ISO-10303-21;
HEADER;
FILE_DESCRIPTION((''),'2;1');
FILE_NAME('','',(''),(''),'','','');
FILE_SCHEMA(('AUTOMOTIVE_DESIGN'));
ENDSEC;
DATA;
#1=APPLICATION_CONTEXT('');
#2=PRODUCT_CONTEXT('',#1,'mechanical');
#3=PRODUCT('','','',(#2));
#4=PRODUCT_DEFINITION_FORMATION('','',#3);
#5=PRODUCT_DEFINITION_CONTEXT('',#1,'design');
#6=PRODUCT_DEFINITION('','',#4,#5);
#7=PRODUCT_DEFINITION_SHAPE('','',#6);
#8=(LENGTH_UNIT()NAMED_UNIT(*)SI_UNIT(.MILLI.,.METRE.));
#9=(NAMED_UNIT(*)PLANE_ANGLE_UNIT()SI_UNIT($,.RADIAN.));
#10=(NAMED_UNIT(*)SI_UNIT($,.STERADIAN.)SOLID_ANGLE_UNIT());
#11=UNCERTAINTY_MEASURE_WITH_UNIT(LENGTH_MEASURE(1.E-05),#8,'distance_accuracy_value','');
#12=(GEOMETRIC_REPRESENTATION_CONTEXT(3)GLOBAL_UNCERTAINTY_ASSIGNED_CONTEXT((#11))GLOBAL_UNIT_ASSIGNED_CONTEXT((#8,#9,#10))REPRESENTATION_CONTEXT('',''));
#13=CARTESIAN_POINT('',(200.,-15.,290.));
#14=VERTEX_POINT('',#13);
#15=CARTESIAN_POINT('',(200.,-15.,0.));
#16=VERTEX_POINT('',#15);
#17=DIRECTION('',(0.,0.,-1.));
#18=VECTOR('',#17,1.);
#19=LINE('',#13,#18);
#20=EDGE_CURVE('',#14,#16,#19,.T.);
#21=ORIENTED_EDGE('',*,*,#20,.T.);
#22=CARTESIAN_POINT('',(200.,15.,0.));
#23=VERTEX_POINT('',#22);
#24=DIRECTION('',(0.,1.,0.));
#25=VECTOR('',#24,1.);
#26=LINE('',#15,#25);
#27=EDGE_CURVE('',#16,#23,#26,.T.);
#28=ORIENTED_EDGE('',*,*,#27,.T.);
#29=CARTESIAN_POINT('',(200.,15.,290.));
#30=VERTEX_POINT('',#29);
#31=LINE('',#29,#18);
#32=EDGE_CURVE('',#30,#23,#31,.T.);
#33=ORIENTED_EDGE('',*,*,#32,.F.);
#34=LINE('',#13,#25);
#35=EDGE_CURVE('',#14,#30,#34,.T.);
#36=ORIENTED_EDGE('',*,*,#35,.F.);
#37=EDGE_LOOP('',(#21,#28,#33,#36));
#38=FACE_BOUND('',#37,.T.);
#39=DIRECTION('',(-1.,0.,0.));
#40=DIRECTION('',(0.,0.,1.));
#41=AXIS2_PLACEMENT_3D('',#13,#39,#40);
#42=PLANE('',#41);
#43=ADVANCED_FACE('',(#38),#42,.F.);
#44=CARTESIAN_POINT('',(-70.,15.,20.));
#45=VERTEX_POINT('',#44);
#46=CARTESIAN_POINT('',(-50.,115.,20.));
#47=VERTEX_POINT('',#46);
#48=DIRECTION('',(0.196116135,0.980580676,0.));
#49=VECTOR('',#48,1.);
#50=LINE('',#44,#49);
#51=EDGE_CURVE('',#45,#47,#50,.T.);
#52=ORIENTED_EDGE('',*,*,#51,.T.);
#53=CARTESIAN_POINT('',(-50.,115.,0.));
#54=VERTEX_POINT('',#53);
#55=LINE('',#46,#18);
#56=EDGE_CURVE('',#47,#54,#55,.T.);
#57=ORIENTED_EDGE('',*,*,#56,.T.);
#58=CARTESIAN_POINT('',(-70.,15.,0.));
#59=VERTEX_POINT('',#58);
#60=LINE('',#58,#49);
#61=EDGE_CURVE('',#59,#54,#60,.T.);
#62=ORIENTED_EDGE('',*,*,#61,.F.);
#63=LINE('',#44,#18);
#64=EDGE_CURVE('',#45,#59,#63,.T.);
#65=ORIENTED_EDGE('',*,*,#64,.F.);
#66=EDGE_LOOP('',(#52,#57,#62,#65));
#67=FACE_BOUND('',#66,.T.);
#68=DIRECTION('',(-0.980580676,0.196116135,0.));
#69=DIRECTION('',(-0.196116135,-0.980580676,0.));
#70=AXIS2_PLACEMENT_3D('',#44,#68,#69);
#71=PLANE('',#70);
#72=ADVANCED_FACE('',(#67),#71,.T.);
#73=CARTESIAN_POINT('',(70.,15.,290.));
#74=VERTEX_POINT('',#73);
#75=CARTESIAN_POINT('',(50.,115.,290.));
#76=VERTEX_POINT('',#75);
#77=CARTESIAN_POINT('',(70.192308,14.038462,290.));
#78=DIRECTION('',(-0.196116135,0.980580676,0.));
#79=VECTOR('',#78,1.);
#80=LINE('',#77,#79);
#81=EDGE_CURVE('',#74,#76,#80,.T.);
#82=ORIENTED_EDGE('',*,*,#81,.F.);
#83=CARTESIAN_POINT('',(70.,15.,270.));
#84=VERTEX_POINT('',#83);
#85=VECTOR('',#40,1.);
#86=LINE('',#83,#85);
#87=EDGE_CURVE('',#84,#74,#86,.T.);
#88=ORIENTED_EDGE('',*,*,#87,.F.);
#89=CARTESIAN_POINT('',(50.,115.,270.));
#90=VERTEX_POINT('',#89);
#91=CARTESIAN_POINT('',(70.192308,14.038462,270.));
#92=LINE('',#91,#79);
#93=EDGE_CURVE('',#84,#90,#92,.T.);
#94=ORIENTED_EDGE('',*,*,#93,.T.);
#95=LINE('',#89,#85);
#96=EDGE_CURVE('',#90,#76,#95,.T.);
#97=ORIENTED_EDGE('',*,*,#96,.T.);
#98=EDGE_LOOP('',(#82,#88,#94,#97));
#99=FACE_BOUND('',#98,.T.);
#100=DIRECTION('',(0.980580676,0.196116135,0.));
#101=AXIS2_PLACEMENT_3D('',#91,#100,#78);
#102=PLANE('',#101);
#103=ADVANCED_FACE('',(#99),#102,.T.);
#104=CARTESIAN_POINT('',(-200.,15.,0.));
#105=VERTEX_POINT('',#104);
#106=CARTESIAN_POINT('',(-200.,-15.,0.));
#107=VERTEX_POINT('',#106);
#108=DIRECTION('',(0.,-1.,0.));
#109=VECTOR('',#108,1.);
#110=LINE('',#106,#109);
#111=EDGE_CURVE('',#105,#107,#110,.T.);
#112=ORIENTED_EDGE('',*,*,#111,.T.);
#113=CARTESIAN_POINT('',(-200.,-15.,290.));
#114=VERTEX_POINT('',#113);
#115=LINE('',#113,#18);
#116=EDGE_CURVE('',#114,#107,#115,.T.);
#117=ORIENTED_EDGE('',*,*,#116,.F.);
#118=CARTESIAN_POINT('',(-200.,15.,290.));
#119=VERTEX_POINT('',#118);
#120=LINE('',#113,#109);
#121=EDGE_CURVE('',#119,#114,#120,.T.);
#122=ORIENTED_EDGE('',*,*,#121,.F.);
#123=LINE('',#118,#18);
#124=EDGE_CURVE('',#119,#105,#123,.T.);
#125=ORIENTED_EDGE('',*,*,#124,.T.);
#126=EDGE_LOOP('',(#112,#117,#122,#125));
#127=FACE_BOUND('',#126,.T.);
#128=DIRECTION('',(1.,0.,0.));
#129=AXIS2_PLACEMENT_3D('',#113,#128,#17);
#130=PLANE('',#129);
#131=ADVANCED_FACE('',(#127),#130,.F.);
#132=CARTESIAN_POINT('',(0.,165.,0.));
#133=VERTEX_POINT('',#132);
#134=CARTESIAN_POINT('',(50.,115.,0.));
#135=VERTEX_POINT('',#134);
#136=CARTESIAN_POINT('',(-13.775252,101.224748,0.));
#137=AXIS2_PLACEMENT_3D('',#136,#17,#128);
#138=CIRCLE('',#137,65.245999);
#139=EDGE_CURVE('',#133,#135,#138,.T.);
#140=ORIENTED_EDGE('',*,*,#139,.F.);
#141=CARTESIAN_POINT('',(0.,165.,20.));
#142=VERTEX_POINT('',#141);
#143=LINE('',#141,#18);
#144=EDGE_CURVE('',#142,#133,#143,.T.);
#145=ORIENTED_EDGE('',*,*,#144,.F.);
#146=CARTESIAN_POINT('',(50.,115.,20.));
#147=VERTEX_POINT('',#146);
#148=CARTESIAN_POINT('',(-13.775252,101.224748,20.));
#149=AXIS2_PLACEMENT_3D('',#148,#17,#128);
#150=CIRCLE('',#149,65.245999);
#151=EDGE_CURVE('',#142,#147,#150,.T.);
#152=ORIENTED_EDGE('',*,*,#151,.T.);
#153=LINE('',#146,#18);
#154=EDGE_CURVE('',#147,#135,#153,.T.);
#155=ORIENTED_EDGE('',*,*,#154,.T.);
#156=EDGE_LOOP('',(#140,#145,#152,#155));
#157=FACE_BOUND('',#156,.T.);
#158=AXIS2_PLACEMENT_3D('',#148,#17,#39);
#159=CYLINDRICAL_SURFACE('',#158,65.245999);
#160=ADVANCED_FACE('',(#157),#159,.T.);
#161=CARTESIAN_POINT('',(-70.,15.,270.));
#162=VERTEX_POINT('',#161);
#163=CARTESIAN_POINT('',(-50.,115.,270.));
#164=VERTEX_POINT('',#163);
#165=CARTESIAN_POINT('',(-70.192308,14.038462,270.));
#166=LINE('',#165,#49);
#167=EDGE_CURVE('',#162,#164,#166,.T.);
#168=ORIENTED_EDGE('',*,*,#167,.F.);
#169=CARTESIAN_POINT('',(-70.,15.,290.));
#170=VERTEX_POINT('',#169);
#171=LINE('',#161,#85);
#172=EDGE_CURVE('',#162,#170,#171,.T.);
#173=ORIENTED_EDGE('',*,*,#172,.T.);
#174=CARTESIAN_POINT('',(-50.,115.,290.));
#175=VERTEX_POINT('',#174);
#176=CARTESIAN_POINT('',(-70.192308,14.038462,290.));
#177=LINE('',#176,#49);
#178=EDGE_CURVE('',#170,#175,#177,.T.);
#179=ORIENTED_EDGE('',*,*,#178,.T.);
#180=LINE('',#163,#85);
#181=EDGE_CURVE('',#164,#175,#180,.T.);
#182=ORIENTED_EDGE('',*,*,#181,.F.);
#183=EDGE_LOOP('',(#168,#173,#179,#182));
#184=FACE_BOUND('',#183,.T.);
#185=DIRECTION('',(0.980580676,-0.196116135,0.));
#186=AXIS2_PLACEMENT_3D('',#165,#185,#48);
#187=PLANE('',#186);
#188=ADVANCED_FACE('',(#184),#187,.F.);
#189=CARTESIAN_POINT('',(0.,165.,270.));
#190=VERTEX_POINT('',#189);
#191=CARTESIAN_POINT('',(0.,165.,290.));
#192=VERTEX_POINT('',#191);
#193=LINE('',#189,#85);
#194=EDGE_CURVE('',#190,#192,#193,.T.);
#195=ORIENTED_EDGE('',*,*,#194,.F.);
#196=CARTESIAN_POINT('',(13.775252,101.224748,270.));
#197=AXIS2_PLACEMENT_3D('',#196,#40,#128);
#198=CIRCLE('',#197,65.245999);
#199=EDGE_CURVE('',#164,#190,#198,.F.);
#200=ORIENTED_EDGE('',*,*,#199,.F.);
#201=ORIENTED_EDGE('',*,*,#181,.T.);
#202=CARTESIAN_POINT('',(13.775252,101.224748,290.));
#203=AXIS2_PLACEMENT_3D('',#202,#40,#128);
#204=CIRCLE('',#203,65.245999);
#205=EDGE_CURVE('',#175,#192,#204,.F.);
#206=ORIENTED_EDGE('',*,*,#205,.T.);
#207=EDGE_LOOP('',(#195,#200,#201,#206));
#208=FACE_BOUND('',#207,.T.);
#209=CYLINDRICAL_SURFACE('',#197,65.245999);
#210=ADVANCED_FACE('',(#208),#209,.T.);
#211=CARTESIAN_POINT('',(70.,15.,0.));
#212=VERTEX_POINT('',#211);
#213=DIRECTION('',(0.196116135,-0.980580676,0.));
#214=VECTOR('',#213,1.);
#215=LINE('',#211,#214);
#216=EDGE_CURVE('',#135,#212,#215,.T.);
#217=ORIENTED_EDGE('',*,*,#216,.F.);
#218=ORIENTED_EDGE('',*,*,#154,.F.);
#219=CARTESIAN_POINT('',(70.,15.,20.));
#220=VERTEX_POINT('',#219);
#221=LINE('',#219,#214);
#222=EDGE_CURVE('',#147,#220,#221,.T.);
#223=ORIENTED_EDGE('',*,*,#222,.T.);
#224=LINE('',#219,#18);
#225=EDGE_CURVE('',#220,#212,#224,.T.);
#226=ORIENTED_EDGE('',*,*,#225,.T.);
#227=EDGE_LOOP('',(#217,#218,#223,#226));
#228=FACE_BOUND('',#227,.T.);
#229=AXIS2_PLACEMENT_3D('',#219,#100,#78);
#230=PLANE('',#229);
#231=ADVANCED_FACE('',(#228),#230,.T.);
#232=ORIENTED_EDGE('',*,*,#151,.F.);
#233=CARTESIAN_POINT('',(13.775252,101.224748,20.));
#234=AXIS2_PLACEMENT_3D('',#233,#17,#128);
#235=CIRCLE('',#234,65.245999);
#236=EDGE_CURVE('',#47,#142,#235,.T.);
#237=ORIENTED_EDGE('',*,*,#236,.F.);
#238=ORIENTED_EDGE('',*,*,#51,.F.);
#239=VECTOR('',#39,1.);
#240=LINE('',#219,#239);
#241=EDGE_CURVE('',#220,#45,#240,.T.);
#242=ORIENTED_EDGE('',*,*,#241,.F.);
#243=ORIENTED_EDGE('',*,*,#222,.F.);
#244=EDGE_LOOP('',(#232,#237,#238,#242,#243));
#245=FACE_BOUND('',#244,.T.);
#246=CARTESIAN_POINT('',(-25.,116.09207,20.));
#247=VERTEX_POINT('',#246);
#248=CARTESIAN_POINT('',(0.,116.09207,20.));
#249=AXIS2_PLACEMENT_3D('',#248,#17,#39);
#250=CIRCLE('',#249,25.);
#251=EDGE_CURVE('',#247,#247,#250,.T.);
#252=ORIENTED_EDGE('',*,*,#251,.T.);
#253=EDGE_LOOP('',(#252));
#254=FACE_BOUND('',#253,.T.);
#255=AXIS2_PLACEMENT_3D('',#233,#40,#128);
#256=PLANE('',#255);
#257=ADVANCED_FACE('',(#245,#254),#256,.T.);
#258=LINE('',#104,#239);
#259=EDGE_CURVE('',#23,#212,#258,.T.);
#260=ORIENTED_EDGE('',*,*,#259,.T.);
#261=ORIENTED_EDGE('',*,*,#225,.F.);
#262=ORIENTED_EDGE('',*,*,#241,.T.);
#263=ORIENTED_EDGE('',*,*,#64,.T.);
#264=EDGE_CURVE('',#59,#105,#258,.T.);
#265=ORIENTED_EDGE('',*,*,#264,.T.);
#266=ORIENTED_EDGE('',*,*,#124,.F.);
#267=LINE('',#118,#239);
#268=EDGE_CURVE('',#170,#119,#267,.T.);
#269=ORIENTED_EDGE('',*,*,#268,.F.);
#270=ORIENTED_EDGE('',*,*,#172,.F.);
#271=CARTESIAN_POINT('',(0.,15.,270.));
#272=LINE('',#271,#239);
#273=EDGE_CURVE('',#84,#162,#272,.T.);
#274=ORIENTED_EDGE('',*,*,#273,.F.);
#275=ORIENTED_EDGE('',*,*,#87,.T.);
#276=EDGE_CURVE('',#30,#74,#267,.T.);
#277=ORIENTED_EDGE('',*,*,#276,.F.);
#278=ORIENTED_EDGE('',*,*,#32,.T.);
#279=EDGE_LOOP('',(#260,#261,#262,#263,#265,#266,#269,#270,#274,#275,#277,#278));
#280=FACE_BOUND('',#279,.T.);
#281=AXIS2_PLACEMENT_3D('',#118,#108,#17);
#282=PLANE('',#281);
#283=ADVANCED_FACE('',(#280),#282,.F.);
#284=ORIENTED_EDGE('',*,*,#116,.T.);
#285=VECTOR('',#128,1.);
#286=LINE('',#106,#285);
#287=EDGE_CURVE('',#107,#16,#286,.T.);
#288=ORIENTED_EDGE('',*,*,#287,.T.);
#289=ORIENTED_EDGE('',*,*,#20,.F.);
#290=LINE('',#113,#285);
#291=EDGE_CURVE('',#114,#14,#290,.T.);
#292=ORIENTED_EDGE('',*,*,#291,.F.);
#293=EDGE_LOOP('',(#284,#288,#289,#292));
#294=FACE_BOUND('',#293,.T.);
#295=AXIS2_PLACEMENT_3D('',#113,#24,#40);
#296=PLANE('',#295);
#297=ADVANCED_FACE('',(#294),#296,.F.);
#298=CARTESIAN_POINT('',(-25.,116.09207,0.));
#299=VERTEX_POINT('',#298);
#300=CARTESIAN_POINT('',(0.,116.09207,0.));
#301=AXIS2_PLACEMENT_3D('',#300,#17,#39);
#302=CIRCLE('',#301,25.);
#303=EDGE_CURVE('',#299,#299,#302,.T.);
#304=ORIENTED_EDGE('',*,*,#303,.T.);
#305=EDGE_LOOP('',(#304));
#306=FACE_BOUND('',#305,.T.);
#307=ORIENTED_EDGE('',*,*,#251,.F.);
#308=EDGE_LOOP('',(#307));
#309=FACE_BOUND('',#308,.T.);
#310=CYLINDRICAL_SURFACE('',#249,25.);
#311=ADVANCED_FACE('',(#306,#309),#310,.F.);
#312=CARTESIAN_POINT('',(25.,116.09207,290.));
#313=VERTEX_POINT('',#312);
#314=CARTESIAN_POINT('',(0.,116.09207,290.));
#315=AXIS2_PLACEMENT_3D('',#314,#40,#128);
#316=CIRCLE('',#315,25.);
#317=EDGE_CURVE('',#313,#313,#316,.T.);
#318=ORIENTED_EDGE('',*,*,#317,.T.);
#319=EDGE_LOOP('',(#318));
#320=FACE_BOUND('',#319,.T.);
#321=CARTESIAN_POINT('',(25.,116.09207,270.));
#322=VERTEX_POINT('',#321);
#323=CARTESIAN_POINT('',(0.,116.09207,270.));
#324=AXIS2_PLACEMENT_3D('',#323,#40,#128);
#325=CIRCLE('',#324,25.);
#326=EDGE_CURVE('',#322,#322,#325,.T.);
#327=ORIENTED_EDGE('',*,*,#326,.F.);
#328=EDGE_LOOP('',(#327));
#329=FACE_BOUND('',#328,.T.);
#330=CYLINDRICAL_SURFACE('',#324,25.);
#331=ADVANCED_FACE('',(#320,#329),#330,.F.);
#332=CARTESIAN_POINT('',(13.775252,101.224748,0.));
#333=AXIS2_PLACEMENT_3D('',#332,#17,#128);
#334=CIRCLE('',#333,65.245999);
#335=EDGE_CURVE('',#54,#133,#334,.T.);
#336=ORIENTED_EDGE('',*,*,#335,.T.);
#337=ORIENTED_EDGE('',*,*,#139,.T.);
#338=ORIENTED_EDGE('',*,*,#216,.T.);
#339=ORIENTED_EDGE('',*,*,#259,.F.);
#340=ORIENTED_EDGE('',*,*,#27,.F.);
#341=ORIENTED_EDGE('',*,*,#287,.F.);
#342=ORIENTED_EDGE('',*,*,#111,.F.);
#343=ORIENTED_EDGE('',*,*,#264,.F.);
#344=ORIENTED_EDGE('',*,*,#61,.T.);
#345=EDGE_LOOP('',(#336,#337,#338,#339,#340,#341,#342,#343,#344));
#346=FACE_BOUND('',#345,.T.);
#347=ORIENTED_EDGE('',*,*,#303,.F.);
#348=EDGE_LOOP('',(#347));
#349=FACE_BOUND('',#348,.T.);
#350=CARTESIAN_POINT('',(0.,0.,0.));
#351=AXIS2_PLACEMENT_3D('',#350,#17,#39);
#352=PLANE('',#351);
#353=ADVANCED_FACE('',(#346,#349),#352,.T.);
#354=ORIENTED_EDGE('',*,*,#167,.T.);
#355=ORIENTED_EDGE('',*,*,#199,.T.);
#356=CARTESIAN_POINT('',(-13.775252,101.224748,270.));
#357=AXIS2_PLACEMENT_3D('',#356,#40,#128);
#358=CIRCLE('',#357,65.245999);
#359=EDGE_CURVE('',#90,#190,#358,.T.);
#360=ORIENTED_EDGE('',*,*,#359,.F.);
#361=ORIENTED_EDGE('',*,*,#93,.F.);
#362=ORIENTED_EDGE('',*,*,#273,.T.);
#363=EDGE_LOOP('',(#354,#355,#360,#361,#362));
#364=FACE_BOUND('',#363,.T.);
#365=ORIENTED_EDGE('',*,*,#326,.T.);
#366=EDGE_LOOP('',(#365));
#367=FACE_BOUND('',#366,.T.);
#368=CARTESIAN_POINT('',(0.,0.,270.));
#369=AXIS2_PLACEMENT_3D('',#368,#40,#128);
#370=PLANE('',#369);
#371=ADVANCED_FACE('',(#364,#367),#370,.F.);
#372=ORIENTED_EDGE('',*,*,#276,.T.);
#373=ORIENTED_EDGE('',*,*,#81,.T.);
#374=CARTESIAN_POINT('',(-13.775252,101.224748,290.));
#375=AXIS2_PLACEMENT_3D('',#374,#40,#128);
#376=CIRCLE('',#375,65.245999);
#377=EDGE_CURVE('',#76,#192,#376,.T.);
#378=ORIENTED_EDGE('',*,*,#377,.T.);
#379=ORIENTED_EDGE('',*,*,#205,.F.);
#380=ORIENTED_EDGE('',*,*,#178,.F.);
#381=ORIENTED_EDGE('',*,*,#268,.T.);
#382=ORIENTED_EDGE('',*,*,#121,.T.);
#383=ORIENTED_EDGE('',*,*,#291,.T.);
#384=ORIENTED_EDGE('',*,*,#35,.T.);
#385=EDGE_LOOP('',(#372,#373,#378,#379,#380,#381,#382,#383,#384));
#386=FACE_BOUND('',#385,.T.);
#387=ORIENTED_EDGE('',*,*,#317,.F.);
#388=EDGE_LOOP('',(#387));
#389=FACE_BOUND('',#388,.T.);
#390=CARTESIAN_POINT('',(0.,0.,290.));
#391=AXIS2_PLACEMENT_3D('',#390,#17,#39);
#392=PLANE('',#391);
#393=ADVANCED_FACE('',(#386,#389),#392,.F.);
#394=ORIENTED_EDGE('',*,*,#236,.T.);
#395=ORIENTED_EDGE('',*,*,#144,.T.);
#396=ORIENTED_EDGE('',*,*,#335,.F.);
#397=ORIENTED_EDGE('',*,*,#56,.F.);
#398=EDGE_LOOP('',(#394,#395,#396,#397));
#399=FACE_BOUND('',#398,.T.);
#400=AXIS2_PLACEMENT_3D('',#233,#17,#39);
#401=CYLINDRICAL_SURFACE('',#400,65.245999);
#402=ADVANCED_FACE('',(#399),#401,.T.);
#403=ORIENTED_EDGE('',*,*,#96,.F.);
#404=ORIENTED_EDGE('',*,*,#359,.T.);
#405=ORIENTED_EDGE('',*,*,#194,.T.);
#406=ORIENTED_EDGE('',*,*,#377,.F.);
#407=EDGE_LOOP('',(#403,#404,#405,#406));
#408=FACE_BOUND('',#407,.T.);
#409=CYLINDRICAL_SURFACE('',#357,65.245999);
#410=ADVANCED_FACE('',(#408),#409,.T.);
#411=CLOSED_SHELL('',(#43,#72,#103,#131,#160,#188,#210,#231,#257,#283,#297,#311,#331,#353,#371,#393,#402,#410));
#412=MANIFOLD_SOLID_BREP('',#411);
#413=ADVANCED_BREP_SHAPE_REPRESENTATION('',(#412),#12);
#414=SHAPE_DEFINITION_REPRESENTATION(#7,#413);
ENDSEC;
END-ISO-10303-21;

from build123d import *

# Parameters (mm, degrees)
SKETCH1_W           = 400
SKETCH1_H           = 30
BOSS_EXTRUDE1_DEPTH = 290
BOSS_EXTRUDE2_DEPTH = 20
SKETCH4_R           = 25
CUT_EXTRUDE1_DEPTH  = 20
BOSS_EXTRUDE3_START = -20
SKETCH5_R           = 25
BOSS_EXTRUDE3_DEPTH = 20


with BuildPart() as part:
    # Sketch1 → Boss-Extrude1 (new body)
    with BuildSketch(Plane.XY):
        Rectangle(SKETCH1_W, SKETCH1_H)
    extrude(amount=BOSS_EXTRUDE1_DEPTH)

    # Sketch2 → Boss-Extrude2 (add)
    with BuildSketch(Plane.XY.offset(290)):
        with BuildLine():
            Line((0, 165), (0, 115))
            Line((0, 115), (50, 115))
            ThreePointArc((50, 115), (32.360636061, 147.360636061), (0, 165))
        make_face()
        with BuildLine():
            Line((-50, 115), (0, 115))
            Line((0, 115), (0, 165))
            ThreePointArc((0, 165), (-32.360636061, 147.360636061), (-50, 115))
        make_face()
        Polygon((-70, 15), (0, 15), (0, 115), (-50, 115), align=None)
        Polygon((0, 115), (0, 15), (70, 15), (50, 115), align=None)
    extrude(amount=-BOSS_EXTRUDE2_DEPTH)

    # Sketch4 → Cut-Extrude1 (cut)
    with BuildSketch(Plane.XY.offset(290)):
        with Locations((0, 116.092070287)):
            Circle(SKETCH4_R)
    extrude(amount=-CUT_EXTRUDE1_DEPTH, mode=Mode.SUBTRACT)

    # Sketch5 → Boss-Extrude3 (add)
    with BuildSketch(Plane(origin=(0, 0, 0), x_dir=(-1, 0, 0), z_dir=(0, 0, -1)).offset(BOSS_EXTRUDE3_START)):
        with BuildLine():
            Line((-70, 15), (-50, 115))
            ThreePointArc((-50, 115), (-32.360636061, 147.360636061), (0, 165))
            ThreePointArc((0, 165), (32.360636061, 147.360636061), (50, 115))
            Line((50, 115), (70, 15))
            Line((70, 15), (-70, 15))
        make_face()
        with Locations(Location((0, 116.092070287, 0), (0, 0, 180))):
            Circle(SKETCH5_R, mode=Mode.SUBTRACT)
    extrude(amount=BOSS_EXTRUDE3_DEPTH)


solid = part.part
